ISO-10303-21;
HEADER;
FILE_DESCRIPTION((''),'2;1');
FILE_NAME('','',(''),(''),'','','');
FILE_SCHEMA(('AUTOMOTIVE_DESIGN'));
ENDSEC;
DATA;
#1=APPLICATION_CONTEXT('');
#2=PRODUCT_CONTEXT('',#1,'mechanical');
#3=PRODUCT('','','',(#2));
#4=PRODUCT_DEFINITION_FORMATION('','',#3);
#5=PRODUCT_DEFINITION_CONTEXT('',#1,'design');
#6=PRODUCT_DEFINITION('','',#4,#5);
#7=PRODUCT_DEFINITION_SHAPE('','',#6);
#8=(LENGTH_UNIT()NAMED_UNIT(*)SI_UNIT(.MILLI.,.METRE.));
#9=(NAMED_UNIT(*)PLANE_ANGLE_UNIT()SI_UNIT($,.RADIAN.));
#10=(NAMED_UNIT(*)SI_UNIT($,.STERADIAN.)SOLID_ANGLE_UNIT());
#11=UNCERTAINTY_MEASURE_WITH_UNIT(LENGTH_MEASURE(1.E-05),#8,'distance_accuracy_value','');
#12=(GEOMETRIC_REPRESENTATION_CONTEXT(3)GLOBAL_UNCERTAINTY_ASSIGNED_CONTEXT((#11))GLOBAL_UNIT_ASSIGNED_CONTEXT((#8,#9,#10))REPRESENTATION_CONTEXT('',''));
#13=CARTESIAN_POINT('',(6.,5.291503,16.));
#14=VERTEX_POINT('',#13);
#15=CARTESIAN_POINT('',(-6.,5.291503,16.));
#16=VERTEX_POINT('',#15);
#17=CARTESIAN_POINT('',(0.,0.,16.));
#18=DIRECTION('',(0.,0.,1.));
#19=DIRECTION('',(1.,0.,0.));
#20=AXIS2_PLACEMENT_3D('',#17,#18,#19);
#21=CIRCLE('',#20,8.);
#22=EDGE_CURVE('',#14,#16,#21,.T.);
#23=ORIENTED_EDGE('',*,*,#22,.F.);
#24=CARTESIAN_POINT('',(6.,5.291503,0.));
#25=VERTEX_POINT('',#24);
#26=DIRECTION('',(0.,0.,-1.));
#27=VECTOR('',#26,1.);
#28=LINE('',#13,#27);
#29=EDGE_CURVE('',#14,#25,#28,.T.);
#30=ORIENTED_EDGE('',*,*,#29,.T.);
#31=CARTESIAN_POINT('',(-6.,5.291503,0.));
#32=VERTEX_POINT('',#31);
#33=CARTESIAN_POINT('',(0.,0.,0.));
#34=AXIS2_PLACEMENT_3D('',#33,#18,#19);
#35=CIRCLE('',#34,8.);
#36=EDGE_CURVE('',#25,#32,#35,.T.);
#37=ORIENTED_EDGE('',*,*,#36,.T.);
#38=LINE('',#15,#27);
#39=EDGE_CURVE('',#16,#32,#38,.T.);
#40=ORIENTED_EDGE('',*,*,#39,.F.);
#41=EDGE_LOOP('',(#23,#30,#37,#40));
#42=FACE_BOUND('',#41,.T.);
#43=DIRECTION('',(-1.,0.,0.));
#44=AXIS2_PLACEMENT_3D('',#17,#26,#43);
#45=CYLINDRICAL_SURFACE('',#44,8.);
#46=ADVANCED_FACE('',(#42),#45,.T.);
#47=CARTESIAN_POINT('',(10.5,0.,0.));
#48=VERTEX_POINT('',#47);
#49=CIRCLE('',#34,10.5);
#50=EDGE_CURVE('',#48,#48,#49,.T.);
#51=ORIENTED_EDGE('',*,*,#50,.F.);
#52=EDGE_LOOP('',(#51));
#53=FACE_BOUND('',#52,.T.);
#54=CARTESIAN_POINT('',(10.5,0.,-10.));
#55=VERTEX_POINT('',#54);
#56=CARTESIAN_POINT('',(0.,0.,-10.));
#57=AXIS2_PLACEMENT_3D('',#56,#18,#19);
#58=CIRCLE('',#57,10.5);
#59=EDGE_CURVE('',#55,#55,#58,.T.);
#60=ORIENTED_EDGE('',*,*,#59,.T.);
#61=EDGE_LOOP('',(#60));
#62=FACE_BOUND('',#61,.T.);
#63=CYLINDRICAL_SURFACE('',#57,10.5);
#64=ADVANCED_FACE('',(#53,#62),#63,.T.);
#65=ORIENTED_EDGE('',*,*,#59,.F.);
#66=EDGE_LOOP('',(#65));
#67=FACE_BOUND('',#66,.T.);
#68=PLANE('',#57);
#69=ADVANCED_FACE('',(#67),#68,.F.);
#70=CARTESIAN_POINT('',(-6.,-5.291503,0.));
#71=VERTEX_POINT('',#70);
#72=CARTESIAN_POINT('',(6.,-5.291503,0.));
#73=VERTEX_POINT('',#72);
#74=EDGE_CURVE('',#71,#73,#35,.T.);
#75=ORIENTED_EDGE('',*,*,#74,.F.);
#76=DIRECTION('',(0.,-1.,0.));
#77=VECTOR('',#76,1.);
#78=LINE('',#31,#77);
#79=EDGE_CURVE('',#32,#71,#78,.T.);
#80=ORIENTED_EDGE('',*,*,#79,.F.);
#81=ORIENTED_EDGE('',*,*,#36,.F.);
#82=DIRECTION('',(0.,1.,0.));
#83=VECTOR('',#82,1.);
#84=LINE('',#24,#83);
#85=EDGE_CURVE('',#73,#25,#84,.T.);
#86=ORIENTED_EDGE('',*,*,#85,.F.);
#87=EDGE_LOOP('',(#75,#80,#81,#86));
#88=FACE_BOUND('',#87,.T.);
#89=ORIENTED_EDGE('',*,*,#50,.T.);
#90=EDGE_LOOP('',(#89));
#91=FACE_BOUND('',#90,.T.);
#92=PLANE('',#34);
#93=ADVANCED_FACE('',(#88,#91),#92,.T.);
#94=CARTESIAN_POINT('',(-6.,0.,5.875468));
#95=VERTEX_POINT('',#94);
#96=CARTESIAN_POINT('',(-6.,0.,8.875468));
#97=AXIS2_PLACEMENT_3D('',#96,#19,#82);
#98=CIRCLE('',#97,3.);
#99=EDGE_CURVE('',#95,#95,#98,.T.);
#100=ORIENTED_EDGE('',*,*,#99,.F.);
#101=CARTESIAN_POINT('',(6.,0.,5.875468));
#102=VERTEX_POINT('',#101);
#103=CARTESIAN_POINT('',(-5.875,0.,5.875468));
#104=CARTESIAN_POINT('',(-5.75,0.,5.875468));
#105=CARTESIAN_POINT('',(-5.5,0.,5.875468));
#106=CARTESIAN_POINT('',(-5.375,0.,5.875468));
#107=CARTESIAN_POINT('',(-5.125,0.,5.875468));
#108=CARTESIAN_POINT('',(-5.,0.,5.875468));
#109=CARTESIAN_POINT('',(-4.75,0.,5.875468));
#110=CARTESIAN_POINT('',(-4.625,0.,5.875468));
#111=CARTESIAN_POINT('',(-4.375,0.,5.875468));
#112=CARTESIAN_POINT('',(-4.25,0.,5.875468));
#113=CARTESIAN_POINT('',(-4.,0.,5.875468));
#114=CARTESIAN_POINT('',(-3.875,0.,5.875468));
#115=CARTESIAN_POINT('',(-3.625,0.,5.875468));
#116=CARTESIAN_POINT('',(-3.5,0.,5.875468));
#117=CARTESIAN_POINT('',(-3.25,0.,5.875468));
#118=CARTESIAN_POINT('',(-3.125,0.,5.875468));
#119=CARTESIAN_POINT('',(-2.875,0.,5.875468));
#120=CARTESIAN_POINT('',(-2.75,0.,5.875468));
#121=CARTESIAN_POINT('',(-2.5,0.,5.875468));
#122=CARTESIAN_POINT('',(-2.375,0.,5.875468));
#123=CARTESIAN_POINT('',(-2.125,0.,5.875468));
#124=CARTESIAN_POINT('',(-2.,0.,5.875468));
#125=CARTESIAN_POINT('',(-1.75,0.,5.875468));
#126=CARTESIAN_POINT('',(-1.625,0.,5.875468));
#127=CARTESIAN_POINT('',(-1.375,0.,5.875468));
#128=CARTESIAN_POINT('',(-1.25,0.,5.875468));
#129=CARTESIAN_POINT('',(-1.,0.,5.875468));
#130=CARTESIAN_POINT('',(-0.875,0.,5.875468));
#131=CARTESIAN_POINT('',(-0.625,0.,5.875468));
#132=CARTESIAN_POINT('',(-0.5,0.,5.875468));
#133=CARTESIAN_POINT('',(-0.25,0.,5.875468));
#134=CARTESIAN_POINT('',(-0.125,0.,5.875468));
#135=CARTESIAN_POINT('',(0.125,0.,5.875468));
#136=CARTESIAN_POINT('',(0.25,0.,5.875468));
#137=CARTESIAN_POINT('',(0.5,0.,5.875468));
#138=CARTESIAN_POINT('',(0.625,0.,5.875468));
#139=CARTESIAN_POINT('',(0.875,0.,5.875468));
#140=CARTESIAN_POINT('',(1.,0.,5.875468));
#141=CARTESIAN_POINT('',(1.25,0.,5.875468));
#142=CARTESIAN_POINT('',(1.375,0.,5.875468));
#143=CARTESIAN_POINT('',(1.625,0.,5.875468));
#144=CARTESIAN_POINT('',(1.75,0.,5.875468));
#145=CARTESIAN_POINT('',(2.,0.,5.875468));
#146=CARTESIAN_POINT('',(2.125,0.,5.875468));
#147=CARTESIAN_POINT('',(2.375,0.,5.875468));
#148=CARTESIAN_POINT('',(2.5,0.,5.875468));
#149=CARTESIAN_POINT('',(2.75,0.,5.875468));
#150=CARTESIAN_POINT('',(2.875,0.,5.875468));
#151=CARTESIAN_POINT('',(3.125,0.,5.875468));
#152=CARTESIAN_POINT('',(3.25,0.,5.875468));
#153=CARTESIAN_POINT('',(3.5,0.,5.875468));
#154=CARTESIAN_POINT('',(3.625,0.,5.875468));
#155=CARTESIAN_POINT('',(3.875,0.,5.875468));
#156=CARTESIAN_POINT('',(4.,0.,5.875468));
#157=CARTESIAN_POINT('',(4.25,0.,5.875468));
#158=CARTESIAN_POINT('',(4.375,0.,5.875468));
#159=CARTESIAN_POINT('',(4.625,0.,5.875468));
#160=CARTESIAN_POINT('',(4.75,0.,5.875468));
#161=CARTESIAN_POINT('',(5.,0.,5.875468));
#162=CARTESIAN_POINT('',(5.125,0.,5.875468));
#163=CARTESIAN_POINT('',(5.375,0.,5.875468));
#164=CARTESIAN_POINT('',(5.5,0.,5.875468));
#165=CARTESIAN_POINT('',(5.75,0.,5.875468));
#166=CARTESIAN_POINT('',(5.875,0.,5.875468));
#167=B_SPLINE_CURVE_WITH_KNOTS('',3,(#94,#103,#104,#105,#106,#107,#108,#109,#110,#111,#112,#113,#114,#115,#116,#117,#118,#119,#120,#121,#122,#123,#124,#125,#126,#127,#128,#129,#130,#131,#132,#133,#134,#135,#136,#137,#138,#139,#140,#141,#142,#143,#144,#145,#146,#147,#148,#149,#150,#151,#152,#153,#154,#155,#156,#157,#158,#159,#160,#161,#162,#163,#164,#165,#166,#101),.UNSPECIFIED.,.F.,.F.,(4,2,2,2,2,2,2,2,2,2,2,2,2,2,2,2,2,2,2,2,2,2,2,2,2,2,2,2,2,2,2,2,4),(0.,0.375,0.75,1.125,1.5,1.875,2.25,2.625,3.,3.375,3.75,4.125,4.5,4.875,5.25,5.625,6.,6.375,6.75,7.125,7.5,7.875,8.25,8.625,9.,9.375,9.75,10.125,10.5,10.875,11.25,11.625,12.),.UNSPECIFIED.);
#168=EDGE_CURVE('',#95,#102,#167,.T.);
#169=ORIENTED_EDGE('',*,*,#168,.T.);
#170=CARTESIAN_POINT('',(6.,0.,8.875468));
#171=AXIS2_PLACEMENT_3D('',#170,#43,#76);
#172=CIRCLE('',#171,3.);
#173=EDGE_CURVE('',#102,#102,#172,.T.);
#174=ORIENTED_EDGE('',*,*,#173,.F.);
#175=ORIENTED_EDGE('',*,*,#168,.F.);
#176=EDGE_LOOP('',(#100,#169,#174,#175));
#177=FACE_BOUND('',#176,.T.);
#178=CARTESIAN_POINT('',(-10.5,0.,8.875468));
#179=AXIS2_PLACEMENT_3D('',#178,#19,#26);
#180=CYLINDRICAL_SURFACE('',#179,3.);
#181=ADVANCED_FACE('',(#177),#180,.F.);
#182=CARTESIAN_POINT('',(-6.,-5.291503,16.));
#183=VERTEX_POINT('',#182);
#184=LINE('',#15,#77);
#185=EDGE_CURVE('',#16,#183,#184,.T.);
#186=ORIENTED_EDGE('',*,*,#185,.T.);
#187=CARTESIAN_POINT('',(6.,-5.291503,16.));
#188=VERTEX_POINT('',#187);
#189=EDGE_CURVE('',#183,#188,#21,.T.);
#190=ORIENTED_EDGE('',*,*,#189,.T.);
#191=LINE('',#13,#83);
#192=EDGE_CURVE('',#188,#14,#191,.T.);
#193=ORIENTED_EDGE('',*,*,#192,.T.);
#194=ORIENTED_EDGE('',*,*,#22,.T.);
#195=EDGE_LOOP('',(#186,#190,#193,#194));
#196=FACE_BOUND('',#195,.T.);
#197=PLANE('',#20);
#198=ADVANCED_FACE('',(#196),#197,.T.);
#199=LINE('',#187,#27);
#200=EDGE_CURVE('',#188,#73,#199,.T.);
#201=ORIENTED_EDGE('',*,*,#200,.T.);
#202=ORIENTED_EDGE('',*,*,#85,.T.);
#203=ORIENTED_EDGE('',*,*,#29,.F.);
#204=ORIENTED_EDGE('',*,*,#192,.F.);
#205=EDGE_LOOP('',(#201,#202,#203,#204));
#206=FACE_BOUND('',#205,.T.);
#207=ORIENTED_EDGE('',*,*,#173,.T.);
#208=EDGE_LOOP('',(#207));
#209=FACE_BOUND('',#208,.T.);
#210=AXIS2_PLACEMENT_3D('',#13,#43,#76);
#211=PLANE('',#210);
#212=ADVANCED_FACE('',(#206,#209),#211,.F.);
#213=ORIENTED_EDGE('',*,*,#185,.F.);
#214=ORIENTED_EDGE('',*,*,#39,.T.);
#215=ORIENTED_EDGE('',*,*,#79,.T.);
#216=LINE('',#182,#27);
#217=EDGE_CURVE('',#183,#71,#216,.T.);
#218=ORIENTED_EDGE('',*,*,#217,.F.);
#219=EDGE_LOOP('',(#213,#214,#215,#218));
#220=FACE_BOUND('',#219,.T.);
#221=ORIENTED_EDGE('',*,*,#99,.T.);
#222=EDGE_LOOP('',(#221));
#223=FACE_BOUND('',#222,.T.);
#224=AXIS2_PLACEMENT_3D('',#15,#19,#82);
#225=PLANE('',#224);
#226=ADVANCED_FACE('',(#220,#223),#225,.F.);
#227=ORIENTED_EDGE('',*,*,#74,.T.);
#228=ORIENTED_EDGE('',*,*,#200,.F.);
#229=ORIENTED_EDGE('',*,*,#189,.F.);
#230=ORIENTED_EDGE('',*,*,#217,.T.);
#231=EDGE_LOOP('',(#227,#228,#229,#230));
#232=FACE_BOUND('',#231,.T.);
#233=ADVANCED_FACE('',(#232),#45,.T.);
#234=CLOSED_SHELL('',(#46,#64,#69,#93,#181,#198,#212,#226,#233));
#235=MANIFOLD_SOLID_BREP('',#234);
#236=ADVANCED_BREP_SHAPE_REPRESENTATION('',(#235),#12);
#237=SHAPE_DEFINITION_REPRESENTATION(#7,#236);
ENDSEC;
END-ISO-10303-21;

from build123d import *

# Parameters (mm, degrees)
BOSS_EXTRUDE1_DEPTH     = 16
SKETCH2_R               = 10.5
BOSS_EXTRUDE2_DEPTH     = 10
CUT_EXTRUDE1_DEPTH      = 22.828879953
CUT_EXTRUDE1_DEPTH_BACK = 22.828879953
SKETCH3_R               = 3


with BuildPart() as part:
    # Sketch1 → Boss-Extrude1 (new body)
    with BuildSketch(Plane.XY):
        with BuildLine():
            Line((-6, 5.291502622), (-6, -5.291502622))
            ThreePointArc((-6, -5.291502622), (0, -8), (6, -5.291502622))
            Line((6, -5.291502622), (6, 5.291502622))
            ThreePointArc((6, 5.291502622), (0, 8), (-6, 5.291502622))
        make_face()
    extrude(amount=BOSS_EXTRUDE1_DEPTH)

    # Sketch2 → Boss-Extrude2 (add)
    with BuildSketch(Plane.XY):
        Circle(SKETCH2_R)
    extrude(amount=-BOSS_EXTRUDE2_DEPTH)

    # Sketch3 → Cut-Extrude1 (cut, two sides: drawn at the far end of the back side and taken through both)
    with BuildSketch(Plane(origin=(0, 0, 0), x_dir=(0, 0, -1), z_dir=(1, 0, 0)).offset(-CUT_EXTRUDE1_DEPTH_BACK)):
        with Locations((-8.875468428, 0)):
            Circle(SKETCH3_R)
    extrude(amount=CUT_EXTRUDE1_DEPTH + CUT_EXTRUDE1_DEPTH_BACK, mode=Mode.SUBTRACT)


solid = part.part
